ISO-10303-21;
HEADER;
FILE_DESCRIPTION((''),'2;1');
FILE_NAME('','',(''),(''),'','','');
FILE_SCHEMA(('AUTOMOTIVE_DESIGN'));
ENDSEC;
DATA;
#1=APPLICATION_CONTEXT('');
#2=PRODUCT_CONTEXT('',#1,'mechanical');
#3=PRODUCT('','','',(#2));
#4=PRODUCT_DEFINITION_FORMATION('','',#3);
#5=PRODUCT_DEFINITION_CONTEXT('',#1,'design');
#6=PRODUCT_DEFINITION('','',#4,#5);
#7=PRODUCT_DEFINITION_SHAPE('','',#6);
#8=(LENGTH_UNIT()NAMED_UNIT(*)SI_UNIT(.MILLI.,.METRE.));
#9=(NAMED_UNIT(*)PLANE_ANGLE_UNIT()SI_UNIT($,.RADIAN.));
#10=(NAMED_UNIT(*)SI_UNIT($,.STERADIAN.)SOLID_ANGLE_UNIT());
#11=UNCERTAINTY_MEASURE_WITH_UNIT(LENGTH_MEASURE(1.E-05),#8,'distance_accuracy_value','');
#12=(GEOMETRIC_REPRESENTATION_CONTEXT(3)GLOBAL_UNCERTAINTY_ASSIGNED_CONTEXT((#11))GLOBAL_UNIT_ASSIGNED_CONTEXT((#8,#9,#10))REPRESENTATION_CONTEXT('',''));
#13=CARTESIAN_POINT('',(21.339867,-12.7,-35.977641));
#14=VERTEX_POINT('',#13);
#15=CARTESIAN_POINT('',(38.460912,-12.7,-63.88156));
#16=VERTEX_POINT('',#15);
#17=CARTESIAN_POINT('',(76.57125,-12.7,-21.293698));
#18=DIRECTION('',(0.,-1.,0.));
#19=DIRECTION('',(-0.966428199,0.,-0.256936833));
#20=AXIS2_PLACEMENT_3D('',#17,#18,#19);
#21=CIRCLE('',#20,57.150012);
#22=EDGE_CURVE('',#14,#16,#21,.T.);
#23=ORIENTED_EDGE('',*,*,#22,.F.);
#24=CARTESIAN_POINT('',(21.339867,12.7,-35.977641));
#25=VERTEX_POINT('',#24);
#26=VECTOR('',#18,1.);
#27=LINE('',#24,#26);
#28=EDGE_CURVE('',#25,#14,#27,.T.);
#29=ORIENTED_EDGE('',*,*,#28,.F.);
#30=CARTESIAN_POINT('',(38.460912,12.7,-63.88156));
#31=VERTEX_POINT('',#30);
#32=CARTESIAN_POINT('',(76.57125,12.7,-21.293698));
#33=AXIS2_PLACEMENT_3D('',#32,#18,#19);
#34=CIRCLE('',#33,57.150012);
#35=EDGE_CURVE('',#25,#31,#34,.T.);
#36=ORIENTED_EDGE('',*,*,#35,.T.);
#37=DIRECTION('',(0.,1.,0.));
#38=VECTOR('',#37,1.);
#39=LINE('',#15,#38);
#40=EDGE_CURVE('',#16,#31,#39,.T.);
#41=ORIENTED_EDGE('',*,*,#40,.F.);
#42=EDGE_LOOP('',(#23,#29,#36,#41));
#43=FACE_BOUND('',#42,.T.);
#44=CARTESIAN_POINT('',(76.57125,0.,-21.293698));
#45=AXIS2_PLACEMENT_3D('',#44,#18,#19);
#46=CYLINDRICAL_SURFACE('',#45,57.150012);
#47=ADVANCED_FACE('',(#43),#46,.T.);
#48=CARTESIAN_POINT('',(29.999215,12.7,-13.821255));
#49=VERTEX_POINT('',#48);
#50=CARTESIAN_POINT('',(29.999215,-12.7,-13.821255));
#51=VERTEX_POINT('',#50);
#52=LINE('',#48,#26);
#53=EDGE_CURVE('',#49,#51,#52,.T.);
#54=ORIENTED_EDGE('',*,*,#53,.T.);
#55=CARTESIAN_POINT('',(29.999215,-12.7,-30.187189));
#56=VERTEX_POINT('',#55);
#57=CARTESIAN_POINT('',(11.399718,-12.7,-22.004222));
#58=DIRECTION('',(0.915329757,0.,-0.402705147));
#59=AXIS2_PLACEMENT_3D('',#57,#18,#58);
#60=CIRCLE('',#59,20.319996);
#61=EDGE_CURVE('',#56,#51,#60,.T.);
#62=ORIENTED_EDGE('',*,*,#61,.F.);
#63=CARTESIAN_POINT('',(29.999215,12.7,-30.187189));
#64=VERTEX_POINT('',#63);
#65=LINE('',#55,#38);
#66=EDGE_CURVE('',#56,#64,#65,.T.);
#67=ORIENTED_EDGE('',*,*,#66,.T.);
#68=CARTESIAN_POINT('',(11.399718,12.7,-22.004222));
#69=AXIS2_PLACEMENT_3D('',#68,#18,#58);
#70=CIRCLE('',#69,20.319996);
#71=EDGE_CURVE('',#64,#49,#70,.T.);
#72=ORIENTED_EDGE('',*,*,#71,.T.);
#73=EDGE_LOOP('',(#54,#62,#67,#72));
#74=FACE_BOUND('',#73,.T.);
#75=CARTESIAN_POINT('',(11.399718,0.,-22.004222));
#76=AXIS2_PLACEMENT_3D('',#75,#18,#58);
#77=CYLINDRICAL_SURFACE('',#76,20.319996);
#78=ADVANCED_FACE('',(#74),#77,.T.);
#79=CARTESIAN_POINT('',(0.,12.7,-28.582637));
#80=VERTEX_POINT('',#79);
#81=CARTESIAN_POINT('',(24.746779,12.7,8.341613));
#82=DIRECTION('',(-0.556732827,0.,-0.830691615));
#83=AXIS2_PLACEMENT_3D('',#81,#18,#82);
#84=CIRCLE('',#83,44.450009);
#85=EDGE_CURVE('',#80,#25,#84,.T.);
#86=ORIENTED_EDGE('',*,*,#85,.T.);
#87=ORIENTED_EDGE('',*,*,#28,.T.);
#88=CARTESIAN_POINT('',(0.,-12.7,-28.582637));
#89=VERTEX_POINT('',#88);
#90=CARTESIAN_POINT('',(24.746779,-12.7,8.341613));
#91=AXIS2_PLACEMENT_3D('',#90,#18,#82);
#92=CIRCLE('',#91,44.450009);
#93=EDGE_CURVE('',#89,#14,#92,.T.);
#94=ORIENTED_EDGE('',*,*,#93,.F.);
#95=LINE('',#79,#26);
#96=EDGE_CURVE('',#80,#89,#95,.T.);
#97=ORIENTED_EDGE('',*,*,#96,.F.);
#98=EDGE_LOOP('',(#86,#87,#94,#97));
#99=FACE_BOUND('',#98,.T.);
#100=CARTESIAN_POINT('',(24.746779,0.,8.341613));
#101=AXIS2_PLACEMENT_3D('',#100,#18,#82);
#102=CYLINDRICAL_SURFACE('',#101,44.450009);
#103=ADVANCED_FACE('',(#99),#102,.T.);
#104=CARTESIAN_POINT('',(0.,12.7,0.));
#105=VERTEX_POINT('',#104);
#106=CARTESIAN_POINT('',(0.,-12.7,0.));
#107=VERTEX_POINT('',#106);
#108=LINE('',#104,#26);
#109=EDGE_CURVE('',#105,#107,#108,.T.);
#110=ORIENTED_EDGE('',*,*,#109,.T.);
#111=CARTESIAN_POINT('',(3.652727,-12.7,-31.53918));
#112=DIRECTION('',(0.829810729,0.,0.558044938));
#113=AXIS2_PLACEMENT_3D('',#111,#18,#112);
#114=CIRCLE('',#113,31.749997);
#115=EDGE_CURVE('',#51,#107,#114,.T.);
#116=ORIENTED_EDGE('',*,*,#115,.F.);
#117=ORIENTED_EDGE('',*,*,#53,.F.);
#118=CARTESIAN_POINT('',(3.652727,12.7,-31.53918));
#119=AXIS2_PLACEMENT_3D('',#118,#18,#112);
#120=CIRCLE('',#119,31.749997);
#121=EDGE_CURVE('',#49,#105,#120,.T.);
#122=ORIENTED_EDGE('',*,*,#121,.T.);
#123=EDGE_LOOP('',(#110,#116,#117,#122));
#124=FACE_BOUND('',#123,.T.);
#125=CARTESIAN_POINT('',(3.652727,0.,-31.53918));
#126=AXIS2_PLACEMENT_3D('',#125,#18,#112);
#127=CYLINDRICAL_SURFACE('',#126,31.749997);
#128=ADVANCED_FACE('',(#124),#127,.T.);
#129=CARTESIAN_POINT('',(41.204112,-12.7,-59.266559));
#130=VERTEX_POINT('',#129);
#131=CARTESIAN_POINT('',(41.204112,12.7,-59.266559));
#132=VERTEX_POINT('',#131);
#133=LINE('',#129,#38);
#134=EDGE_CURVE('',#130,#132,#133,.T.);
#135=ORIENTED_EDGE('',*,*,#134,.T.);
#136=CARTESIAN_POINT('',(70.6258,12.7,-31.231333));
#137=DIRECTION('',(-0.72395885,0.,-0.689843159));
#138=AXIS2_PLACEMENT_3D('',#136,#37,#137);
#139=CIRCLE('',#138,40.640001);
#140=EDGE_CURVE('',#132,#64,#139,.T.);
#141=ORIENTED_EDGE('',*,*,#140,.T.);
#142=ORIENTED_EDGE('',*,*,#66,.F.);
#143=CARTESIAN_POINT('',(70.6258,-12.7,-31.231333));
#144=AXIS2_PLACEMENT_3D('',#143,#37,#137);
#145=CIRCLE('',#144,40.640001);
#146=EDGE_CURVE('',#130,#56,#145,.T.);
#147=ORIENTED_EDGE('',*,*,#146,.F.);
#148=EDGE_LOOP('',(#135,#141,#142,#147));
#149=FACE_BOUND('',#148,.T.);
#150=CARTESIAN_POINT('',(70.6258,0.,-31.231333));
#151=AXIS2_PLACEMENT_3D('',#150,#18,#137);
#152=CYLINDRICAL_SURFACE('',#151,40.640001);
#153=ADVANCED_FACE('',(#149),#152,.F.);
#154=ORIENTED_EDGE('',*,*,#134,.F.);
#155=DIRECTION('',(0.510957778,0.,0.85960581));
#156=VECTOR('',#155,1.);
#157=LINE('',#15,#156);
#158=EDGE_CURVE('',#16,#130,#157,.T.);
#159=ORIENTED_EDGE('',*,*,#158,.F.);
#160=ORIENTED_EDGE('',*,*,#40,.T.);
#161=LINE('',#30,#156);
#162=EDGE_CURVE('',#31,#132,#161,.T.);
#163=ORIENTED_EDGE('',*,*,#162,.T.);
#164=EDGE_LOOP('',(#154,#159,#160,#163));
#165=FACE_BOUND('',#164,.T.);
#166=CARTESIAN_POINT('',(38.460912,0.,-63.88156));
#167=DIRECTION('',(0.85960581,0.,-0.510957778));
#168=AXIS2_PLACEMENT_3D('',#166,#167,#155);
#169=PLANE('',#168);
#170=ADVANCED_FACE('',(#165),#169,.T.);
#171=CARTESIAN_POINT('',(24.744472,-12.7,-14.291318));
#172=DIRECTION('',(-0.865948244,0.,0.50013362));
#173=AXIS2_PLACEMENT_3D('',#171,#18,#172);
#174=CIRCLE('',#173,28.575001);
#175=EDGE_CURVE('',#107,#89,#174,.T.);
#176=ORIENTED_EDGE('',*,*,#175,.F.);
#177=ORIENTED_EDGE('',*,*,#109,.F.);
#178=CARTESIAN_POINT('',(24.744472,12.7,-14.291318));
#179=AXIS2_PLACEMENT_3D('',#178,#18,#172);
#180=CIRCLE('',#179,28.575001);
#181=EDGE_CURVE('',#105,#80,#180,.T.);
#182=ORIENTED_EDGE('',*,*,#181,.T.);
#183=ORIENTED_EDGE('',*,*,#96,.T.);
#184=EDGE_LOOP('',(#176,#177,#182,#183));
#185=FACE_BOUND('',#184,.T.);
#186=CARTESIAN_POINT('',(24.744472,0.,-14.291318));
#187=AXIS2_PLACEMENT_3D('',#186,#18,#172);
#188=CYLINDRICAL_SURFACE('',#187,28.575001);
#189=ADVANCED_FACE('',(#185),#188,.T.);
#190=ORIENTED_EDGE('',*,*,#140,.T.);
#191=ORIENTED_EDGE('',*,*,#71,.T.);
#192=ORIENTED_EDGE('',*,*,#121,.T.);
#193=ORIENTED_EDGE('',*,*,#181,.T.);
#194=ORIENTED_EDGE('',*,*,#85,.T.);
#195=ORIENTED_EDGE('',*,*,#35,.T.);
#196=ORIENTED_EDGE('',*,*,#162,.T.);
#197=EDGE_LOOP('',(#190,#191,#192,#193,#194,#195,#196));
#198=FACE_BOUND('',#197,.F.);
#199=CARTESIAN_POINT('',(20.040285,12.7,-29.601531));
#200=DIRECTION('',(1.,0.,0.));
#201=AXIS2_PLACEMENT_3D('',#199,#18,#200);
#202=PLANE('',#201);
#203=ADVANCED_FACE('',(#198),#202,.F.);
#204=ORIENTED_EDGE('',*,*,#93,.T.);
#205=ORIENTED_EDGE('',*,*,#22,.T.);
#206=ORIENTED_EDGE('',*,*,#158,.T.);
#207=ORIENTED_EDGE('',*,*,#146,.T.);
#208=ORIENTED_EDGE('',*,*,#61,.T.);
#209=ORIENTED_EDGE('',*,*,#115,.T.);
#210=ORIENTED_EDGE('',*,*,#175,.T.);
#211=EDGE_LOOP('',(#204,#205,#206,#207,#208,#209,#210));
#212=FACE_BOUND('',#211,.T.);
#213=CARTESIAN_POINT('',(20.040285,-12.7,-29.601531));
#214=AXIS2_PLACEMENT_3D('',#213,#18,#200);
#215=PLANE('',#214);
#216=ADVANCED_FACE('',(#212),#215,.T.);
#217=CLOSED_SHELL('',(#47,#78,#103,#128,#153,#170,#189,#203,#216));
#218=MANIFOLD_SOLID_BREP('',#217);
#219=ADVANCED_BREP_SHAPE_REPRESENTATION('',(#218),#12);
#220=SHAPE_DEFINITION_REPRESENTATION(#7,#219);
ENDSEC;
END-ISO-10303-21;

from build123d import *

# Parameters (mm, degrees)
F1_DEPTH = 12.7


with BuildPart() as f1:
    # F0 (on Front) → F1 (new body, symmetric)
    with BuildSketch(Plane.XZ):
        with BuildLine():
            ThreePointArc((29.999215, -30.187189), (31.719714, -22.004222), (29.999215, -13.821255))
            ThreePointArc((29.999215, -13.821255), (16.938376, -2.702505), (0, 0))
            ThreePointArc((0, 0), (-3.830529, -14.291319), (0, -28.582637))
            ThreePointArc((0, -28.582637), (10.192429, -33.65808), (21.339867, -35.977641))
            ThreePointArc((21.339867, -35.977641), (27.859584, -51.18178), (38.460912, -63.88156))
            Line((38.460912, -63.88156), (41.204112, -59.266559))
            ThreePointArc((41.204112, -59.266559), (32.703609, -45.843556), (29.999215, -30.187189))
        make_face()
    extrude(amount=F1_DEPTH, both=True)


solid = f1.part
